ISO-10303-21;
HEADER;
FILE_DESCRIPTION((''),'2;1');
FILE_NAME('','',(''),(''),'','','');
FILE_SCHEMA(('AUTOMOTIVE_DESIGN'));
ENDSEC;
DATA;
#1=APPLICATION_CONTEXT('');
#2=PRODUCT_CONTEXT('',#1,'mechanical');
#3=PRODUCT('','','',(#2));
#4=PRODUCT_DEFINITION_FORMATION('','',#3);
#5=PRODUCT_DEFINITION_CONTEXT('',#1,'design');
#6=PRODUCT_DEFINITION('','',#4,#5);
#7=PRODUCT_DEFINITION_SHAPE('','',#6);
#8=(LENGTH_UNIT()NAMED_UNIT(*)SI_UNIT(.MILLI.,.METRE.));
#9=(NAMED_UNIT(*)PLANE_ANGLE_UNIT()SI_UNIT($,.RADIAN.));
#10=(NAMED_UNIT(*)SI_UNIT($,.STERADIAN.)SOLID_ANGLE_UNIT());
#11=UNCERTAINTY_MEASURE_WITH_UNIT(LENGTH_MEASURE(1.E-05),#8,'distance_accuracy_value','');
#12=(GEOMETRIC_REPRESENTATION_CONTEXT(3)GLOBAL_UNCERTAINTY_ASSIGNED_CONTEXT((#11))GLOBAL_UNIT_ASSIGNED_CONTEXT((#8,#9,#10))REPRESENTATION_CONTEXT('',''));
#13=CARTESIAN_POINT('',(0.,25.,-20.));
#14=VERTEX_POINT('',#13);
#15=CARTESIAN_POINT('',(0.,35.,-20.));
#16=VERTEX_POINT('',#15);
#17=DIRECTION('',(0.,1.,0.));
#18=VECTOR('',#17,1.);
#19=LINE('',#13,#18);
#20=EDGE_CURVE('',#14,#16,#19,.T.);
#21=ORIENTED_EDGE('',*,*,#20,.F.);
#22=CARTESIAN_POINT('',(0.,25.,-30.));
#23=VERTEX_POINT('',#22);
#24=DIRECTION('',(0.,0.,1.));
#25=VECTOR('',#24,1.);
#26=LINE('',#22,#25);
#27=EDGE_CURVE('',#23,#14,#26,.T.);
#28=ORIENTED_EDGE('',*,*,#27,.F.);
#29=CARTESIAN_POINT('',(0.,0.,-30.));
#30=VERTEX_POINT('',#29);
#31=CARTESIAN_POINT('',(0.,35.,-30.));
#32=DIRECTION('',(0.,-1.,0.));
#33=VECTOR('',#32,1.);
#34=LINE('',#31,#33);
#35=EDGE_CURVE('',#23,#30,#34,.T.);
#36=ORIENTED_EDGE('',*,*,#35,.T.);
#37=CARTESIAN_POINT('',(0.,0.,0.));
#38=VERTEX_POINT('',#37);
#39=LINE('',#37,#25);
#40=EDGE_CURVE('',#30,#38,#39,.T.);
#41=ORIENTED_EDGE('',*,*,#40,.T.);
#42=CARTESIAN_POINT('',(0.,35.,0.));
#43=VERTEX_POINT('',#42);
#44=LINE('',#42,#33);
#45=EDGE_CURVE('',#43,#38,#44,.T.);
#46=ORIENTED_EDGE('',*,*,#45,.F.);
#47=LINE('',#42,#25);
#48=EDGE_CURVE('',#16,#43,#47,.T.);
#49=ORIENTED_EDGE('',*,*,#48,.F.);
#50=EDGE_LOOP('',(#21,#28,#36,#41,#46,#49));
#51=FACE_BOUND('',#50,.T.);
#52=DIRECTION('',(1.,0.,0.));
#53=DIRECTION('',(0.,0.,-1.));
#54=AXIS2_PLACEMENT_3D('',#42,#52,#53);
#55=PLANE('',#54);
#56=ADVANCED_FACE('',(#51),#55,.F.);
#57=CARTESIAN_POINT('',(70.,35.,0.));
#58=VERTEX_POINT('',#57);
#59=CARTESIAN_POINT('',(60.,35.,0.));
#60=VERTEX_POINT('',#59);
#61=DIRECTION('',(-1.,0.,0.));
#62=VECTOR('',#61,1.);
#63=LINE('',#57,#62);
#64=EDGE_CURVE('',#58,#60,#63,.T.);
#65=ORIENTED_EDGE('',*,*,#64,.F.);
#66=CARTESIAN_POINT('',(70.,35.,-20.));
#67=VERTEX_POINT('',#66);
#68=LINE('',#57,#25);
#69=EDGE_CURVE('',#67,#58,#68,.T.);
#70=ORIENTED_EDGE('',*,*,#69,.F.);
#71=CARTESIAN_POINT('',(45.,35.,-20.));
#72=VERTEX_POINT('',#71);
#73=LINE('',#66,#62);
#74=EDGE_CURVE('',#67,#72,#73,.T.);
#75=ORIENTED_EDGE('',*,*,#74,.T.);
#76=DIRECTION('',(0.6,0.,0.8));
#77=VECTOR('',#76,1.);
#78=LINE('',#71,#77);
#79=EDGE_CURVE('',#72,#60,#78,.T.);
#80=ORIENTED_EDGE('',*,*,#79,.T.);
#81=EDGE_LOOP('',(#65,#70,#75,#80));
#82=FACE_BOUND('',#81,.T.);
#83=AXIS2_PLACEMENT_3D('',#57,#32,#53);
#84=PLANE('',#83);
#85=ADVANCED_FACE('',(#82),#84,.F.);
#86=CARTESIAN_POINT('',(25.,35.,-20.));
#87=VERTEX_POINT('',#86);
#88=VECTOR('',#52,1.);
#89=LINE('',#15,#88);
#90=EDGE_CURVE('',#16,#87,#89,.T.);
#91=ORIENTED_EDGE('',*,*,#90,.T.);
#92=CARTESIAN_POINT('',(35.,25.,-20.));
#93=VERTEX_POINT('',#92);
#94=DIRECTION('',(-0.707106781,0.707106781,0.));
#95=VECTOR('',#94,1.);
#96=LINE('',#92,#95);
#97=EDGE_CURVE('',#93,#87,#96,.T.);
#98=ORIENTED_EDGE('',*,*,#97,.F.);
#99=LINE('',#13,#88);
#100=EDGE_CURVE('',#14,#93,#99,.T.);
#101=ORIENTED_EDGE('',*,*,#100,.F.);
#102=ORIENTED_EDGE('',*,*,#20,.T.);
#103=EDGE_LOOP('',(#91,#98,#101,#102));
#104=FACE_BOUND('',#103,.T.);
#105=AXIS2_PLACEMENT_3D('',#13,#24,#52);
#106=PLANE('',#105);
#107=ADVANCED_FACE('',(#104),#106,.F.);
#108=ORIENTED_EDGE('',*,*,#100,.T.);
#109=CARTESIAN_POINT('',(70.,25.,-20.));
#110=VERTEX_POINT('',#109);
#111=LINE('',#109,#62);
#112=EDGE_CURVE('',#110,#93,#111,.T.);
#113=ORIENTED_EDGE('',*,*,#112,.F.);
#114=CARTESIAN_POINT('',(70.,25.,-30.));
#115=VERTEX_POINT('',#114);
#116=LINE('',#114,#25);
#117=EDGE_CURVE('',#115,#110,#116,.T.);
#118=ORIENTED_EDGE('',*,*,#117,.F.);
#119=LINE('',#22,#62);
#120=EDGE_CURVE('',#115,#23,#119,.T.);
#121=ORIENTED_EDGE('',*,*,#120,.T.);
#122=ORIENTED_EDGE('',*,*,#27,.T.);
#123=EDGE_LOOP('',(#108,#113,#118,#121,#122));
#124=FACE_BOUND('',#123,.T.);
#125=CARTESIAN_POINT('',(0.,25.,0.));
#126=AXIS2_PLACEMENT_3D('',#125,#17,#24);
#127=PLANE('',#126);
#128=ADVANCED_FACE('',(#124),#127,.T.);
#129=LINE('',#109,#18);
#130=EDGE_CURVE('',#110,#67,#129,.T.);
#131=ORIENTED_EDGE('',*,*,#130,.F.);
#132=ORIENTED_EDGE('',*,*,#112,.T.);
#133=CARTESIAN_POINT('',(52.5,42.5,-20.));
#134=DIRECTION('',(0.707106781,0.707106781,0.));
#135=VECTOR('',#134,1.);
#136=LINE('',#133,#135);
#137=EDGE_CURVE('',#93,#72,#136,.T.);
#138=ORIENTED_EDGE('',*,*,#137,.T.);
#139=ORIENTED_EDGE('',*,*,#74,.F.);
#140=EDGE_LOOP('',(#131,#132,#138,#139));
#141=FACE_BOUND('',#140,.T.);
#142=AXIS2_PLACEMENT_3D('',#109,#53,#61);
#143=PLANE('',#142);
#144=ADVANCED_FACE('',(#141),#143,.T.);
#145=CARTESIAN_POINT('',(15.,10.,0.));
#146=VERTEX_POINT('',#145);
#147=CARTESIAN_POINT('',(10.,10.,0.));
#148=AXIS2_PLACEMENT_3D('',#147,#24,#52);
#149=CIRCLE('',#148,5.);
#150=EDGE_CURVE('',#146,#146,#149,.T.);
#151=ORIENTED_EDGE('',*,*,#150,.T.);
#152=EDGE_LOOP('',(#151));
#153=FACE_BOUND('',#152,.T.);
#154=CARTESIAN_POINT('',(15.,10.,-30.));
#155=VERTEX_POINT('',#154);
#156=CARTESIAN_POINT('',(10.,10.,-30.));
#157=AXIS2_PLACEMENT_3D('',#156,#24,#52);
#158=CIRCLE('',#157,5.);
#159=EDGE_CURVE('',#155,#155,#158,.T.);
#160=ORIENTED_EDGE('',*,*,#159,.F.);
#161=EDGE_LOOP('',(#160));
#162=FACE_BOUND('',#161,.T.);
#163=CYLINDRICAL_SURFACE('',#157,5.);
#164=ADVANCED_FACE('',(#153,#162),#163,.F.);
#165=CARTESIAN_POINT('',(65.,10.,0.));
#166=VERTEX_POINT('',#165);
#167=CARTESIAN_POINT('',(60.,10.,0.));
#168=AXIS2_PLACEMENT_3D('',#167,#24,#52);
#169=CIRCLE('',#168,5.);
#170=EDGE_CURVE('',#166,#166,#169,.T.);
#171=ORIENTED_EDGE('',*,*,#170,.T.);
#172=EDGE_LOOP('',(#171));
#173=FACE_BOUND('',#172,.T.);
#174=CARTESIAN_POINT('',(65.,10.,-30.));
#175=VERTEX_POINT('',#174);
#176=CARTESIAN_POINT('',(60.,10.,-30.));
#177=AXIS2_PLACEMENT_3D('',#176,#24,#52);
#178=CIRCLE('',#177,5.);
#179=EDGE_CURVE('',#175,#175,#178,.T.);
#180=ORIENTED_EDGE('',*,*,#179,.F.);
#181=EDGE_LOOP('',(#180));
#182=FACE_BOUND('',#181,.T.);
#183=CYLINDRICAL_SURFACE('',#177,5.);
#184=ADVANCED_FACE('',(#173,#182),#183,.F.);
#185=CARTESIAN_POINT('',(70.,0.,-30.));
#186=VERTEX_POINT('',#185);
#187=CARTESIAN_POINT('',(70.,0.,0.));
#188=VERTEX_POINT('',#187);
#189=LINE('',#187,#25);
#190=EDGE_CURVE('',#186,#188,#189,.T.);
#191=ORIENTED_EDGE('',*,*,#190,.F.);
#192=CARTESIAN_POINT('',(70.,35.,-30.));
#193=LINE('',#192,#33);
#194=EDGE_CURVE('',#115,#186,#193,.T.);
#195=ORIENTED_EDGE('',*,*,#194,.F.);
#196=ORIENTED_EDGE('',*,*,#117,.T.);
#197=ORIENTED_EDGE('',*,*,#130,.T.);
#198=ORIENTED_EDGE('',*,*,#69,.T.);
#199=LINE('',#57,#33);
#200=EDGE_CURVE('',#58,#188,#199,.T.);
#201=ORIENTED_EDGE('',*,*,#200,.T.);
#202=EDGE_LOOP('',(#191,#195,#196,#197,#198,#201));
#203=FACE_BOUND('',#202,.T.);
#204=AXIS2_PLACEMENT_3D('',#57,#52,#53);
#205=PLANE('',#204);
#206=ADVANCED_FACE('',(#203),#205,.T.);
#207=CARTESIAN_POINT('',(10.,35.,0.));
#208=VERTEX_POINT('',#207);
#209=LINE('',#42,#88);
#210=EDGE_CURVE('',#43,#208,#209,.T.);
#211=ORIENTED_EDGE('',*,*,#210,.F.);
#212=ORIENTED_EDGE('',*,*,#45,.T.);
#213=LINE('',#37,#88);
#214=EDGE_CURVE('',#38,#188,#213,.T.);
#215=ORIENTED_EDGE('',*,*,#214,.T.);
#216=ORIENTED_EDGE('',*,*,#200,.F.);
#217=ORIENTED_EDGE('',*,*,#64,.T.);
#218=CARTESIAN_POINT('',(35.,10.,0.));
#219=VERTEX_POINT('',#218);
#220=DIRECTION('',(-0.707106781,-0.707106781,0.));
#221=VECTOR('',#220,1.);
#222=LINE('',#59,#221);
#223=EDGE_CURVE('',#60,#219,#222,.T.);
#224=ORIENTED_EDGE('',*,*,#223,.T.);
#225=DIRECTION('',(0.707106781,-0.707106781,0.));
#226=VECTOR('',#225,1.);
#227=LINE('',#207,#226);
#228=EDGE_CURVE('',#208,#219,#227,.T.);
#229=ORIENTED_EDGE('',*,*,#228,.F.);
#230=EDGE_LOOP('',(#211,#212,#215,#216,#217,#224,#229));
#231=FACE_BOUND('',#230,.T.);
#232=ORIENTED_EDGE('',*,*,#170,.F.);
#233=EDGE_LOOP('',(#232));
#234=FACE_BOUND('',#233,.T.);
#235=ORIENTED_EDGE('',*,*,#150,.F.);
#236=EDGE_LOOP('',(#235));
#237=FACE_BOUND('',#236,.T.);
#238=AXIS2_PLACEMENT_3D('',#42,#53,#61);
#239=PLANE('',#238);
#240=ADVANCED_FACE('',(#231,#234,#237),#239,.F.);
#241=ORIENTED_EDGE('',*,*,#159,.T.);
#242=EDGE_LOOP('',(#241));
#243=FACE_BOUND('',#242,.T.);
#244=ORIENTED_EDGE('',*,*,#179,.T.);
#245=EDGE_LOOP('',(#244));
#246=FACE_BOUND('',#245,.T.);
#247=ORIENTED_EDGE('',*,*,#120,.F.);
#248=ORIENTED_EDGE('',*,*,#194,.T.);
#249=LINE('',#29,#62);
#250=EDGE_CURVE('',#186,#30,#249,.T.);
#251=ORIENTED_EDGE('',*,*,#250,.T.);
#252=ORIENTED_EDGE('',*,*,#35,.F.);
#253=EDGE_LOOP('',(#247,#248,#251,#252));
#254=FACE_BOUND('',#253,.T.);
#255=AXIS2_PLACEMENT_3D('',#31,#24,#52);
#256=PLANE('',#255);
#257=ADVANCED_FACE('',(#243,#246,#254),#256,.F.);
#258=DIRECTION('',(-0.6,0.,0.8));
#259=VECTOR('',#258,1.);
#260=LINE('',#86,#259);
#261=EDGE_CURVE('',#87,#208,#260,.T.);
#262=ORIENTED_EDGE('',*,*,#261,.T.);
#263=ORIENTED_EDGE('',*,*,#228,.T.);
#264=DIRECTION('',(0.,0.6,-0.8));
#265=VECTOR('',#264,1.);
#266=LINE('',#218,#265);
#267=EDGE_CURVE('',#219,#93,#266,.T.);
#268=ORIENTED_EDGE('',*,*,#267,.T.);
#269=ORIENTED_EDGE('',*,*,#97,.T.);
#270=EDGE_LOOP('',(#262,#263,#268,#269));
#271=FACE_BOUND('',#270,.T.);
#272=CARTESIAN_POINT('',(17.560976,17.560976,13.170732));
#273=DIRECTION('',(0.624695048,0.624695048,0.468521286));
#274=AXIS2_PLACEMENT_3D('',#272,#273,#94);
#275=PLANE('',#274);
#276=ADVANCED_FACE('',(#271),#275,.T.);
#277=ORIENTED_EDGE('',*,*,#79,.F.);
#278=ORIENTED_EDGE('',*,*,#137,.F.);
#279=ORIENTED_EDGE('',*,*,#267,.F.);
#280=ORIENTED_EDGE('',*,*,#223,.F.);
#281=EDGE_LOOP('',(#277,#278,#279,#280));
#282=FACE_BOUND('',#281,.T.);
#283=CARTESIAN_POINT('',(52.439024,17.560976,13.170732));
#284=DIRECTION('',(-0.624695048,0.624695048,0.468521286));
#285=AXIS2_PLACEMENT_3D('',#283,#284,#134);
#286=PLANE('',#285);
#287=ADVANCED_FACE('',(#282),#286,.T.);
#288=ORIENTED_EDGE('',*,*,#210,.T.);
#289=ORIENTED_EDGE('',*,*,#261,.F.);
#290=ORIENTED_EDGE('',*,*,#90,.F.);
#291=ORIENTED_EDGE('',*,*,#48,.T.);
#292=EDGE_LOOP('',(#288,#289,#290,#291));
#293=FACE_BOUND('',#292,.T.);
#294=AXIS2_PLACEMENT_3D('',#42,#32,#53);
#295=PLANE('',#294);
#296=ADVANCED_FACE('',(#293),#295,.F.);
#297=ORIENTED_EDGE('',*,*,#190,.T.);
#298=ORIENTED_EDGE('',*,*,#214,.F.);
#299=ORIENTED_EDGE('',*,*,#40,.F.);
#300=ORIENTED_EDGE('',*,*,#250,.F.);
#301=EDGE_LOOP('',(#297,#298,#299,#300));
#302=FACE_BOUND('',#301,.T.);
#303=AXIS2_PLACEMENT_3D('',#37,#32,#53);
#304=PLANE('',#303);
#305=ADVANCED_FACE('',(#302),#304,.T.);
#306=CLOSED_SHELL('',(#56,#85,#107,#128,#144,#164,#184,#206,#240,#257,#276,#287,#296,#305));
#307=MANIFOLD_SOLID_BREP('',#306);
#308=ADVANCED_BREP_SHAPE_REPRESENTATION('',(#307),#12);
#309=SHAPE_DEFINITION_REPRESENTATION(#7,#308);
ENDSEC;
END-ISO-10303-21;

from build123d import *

# Parameters (mm, degrees)
SKETCH1_W           = 35
SKETCH1_H           = 30
BOSS_EXTRUDE1_DEPTH = 35
SKETCH2_W           = 35
SKETCH2_H           = 10
CUT_EXTRUDE1_DEPTH  = 10
CUT_EXTRUDE3_DEPTH  = 16.617376189
CUT_EXTRUDE4_DEPTH  = 21
CUT_EXTRUDE5_DEPTH  = 19
SKETCH13_R          = 5
CUT_EXTRUDE6_DEPTH  = 31
SKETCH14_R          = 5
CUT_EXTRUDE7_DEPTH  = 31


with BuildPart() as part:
    # Sketch1 → Boss-Extrude1 (new body)
    with BuildSketch(Plane(origin=(0, 0, 0), x_dir=(1, 0, 0), z_dir=(0, 1, 0))):
        with Locations((17.5, 15)):
            Rectangle(SKETCH1_W, SKETCH1_H)
    boss_extrude1 = extrude(amount=BOSS_EXTRUDE1_DEPTH)

    # Sketch2 → Cut-Extrude1 (cut)
    with BuildSketch(Plane(origin=(0, 35, 0), x_dir=(1, 0, 0), z_dir=(0, 1, 0))):
        with Locations((17.5, 25)):
            Rectangle(SKETCH2_W, SKETCH2_H)
    cut_extrude1 = extrude(amount=-CUT_EXTRUDE1_DEPTH, mode=Mode.SUBTRACT)

    # Sketch8 → Cut-Extrude3 (cut, through all)
    with BuildSketch(Plane(origin=(17.56097561, 17.56097561, 13.170731707), x_dir=(0.780868809, -0.499756038, -0.374817029), z_dir=(0.624695048, 0.624695048, 0.468521286))):
        Polygon((-9.682773237, 21), (22.33284795, 6), (22.33284795, 31), (9.526599475, 37), align=None)
    cut_extrude3 = extrude(amount=CUT_EXTRUDE3_DEPTH, mode=Mode.SUBTRACT)

    # Sketch10 → Cut-Extrude4 (cut, through all)
    with BuildSketch(Plane(origin=(0, 0, -20), x_dir=(-1, 0, 0), z_dir=(0, 0, -1))):
        Polygon((-35, 35), (-25, 35), (-35, 25), align=None)
    extrude(amount=-CUT_EXTRUDE4_DEPTH, mode=Mode.SUBTRACT)

    # Mirror5: Boss-Extrude1, Cut-Extrude1, Cut-Extrude3 across plane
    add(boss_extrude1.mirror(Plane(origin=(35, 35, 0), x_dir=(0, 0, 1), z_dir=(-1, 0, 0))))
    add(cut_extrude1.mirror(Plane(origin=(35, 35, 0), x_dir=(0, 0, 1), z_dir=(-1, 0, 0))), mode=Mode.SUBTRACT)
    add(cut_extrude3.mirror(Plane(origin=(35, 35, 0), x_dir=(0, 0, 1), z_dir=(-1, 0, 0))), mode=Mode.SUBTRACT)

    # Sketch12 → Cut-Extrude5 (cut)
    with BuildSketch(Plane(origin=(0, 0, -20), x_dir=(-1, 0, 0), z_dir=(0, 0, -1))):
        Polygon((-45, 35), (-35, 25), (-35, 35), align=None)
    extrude(amount=-CUT_EXTRUDE5_DEPTH, mode=Mode.SUBTRACT)

    # Sketch13 → Cut-Extrude6 (cut, through all)
    with BuildSketch(Plane.XY):
        with Locations((10, 10)):
            Circle(SKETCH13_R)
    extrude(amount=-CUT_EXTRUDE6_DEPTH, mode=Mode.SUBTRACT)

    # Sketch14 → Cut-Extrude7 (cut, through all)
    with BuildSketch(Plane.XY):
        with Locations((60, 10)):
            Circle(SKETCH14_R)
    extrude(amount=-CUT_EXTRUDE7_DEPTH, mode=Mode.SUBTRACT)


solid = part.part
